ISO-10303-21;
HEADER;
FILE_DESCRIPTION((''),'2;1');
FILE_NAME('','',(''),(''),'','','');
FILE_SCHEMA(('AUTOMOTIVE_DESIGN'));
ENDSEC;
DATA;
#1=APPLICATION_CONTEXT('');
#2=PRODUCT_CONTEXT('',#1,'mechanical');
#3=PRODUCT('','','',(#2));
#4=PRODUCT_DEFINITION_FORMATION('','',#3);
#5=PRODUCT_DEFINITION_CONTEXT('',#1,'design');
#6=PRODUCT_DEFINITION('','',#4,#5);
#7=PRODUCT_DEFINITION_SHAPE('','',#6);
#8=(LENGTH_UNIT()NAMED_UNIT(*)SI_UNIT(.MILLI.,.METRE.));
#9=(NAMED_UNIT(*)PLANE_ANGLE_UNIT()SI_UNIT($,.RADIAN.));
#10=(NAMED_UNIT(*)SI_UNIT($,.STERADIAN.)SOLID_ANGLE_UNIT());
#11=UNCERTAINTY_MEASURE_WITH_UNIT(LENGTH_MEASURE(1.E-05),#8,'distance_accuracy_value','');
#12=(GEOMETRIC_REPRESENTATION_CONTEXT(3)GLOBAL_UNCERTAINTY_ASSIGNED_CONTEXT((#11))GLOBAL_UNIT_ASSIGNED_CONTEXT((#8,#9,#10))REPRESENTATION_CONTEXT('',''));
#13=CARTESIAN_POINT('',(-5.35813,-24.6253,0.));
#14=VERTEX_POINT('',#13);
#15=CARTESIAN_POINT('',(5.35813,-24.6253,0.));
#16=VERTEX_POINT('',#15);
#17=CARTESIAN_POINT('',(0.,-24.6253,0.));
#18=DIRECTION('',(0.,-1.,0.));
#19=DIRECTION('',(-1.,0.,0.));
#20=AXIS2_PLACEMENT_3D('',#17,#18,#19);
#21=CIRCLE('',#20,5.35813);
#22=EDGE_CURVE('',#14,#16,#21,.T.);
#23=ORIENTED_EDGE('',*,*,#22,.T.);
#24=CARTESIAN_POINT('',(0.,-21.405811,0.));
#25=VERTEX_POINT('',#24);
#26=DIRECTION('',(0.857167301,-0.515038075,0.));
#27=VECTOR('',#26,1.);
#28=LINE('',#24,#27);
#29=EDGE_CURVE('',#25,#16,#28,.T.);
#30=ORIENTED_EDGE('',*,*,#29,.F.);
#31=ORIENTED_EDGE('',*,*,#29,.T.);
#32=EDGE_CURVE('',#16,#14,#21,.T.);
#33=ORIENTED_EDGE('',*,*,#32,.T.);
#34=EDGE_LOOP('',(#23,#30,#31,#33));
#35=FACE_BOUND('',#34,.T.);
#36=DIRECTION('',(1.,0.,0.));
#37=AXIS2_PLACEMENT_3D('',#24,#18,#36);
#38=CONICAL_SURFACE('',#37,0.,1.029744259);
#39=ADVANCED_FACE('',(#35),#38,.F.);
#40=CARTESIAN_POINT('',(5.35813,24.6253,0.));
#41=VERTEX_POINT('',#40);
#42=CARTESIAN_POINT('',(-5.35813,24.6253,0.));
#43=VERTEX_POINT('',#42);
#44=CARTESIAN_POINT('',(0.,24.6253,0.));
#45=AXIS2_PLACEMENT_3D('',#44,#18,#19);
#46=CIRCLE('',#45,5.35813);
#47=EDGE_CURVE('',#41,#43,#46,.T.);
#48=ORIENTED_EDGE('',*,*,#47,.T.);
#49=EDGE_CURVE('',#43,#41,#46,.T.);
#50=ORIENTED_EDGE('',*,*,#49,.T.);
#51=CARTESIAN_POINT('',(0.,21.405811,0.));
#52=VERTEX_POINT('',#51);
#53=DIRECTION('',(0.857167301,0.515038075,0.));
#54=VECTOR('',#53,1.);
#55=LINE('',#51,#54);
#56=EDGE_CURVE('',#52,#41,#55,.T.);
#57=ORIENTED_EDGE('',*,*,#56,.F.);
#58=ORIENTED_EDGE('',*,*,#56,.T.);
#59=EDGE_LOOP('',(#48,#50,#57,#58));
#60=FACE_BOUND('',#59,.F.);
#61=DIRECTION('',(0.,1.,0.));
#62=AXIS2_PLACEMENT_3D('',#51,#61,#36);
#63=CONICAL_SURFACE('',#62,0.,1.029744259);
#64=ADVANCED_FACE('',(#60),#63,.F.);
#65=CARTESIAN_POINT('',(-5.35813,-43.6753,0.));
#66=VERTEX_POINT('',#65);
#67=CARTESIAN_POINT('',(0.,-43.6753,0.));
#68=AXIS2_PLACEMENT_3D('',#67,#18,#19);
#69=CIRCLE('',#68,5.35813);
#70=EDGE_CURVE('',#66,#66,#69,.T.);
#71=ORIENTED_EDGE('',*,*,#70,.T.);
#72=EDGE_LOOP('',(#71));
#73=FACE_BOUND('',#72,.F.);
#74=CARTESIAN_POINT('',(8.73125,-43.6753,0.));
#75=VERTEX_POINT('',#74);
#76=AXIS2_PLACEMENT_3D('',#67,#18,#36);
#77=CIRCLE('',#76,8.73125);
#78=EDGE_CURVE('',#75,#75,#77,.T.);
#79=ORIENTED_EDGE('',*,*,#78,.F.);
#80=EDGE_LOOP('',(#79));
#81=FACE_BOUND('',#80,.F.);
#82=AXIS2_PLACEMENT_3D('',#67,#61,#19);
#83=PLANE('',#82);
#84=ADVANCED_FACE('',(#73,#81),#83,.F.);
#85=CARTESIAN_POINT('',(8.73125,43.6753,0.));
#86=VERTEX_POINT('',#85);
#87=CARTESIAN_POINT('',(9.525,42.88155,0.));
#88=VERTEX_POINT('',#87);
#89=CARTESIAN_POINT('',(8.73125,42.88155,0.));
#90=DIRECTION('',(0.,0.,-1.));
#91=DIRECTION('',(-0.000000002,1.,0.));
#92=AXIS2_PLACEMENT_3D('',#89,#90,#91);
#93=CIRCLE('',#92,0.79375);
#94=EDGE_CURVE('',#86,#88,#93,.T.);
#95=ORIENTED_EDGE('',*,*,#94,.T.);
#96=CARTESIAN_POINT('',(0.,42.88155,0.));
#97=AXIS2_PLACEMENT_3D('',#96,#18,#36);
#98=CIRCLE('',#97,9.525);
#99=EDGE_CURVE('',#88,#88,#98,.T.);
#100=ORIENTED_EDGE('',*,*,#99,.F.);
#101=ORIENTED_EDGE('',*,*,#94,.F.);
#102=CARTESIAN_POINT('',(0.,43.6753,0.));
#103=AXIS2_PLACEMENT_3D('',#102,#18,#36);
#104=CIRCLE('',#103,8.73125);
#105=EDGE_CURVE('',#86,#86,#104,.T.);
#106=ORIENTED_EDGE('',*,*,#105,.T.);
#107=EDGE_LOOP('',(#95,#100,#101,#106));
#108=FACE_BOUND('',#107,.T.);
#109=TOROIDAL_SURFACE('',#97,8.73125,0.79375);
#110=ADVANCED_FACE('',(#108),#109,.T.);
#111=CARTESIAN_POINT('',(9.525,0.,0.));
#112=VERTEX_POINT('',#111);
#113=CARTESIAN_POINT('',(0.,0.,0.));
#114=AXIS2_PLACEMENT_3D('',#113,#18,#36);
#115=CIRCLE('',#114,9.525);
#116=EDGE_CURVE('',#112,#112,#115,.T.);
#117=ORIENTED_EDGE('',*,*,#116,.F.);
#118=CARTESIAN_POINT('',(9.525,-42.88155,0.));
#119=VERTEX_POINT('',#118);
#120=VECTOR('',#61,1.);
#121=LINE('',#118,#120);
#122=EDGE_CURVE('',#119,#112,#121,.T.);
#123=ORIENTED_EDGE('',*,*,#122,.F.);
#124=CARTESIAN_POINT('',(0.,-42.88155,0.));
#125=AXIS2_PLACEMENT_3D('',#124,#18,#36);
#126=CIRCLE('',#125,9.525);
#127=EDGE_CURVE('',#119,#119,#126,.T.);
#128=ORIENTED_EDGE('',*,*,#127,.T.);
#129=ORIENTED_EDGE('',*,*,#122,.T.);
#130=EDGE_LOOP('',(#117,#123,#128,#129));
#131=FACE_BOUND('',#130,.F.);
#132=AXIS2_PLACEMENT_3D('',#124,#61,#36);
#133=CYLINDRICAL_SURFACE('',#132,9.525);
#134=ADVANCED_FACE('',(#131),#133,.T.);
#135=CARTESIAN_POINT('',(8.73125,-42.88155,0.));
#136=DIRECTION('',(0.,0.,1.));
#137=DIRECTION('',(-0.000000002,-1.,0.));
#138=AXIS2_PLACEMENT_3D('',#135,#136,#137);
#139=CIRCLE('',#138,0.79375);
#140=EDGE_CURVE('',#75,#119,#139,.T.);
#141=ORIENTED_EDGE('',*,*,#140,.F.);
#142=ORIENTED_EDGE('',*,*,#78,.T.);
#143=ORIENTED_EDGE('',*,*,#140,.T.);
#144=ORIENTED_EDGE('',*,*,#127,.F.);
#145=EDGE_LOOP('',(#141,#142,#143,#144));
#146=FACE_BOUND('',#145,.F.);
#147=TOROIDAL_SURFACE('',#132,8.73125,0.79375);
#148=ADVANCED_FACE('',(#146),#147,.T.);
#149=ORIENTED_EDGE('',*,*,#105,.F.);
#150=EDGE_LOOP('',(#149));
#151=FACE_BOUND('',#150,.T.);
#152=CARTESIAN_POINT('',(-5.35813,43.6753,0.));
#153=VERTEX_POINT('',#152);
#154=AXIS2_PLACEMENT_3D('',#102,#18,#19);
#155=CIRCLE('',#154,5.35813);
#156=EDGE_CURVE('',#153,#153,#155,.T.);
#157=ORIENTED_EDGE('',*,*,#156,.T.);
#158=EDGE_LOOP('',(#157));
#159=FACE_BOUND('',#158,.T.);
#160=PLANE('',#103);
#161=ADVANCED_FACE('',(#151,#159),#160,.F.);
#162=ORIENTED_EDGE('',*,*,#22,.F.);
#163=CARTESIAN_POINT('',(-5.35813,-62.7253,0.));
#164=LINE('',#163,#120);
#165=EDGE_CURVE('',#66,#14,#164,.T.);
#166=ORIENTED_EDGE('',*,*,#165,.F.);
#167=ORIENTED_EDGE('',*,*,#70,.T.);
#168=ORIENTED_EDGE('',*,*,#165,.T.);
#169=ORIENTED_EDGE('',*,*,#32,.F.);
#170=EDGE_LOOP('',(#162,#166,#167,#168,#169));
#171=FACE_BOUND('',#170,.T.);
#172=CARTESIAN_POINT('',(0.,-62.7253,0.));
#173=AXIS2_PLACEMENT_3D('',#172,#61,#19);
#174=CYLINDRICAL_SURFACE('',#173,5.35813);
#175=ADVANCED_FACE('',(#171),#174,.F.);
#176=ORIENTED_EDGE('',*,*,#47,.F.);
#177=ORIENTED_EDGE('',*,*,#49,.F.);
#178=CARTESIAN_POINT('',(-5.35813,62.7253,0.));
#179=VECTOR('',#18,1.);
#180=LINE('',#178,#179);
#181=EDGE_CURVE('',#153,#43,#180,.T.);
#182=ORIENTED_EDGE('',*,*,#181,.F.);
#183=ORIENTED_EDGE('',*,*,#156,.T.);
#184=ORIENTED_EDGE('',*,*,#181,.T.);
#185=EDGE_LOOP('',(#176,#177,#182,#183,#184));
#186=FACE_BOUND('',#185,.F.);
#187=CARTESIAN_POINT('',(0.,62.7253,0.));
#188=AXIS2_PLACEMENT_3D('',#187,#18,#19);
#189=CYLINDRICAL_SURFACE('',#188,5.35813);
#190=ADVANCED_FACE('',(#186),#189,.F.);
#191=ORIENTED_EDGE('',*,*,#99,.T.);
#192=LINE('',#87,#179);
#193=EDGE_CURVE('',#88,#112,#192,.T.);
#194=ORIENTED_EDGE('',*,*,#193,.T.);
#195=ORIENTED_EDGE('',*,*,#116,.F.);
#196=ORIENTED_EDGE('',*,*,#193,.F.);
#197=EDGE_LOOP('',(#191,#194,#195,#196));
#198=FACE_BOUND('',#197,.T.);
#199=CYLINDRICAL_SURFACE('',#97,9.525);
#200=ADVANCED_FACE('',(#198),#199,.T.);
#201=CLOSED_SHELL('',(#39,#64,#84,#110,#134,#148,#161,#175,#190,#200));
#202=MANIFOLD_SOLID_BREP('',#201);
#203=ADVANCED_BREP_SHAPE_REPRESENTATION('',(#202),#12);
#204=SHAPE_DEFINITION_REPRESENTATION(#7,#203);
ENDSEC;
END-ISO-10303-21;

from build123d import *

# Parameters (mm, degrees)
F_1_2_13_TAPPED_HOLE1_D     = 10.71626
F_1_2_13_TAPPED_HOLE1_DEPTH = 19.05
F_1_2_13_TAPPED_HOLE1_TIP   = 3.219489309


with BuildPart() as part:
    # Sketch1 → Revolve1 (revolve)
    with BuildSketch(Plane.XY):
        with BuildLine():
            Line((0, 0), (0, 43.6753))
            Line((0, 43.6753), (8.73125, 43.6753))
            ThreePointArc((8.73125, 43.6753), (9.292516008, 43.442816008), (9.525, 42.88155))
            Line((9.525, 42.88155), (9.525, 0))
            Line((9.525, 0), (0, 0))
        make_face()
    revolve(axis=Axis((0, 543.005217441, 0), (0, -1, 0)))

    # 1/2-13 Tapped Hole1
    with Locations(Plane(origin=(0, 43.6753, 0), x_dir=(1, 0, 0), z_dir=(0, 1, 0))):
        with Locations((0, 0)):
            Hole(F_1_2_13_TAPPED_HOLE1_D / 2, depth=F_1_2_13_TAPPED_HOLE1_DEPTH)
            with Locations((0, 0, -(F_1_2_13_TAPPED_HOLE1_DEPTH + F_1_2_13_TAPPED_HOLE1_TIP / 2))):  # 118° drill point
                Cone(0, F_1_2_13_TAPPED_HOLE1_D / 2, F_1_2_13_TAPPED_HOLE1_TIP, mode=Mode.SUBTRACT)

    # Mirror1: part across plane


with BuildPart() as part_1:
    add(part.part)
    add(part.part.mirror(Plane.ZX))


solid = part_1.part
